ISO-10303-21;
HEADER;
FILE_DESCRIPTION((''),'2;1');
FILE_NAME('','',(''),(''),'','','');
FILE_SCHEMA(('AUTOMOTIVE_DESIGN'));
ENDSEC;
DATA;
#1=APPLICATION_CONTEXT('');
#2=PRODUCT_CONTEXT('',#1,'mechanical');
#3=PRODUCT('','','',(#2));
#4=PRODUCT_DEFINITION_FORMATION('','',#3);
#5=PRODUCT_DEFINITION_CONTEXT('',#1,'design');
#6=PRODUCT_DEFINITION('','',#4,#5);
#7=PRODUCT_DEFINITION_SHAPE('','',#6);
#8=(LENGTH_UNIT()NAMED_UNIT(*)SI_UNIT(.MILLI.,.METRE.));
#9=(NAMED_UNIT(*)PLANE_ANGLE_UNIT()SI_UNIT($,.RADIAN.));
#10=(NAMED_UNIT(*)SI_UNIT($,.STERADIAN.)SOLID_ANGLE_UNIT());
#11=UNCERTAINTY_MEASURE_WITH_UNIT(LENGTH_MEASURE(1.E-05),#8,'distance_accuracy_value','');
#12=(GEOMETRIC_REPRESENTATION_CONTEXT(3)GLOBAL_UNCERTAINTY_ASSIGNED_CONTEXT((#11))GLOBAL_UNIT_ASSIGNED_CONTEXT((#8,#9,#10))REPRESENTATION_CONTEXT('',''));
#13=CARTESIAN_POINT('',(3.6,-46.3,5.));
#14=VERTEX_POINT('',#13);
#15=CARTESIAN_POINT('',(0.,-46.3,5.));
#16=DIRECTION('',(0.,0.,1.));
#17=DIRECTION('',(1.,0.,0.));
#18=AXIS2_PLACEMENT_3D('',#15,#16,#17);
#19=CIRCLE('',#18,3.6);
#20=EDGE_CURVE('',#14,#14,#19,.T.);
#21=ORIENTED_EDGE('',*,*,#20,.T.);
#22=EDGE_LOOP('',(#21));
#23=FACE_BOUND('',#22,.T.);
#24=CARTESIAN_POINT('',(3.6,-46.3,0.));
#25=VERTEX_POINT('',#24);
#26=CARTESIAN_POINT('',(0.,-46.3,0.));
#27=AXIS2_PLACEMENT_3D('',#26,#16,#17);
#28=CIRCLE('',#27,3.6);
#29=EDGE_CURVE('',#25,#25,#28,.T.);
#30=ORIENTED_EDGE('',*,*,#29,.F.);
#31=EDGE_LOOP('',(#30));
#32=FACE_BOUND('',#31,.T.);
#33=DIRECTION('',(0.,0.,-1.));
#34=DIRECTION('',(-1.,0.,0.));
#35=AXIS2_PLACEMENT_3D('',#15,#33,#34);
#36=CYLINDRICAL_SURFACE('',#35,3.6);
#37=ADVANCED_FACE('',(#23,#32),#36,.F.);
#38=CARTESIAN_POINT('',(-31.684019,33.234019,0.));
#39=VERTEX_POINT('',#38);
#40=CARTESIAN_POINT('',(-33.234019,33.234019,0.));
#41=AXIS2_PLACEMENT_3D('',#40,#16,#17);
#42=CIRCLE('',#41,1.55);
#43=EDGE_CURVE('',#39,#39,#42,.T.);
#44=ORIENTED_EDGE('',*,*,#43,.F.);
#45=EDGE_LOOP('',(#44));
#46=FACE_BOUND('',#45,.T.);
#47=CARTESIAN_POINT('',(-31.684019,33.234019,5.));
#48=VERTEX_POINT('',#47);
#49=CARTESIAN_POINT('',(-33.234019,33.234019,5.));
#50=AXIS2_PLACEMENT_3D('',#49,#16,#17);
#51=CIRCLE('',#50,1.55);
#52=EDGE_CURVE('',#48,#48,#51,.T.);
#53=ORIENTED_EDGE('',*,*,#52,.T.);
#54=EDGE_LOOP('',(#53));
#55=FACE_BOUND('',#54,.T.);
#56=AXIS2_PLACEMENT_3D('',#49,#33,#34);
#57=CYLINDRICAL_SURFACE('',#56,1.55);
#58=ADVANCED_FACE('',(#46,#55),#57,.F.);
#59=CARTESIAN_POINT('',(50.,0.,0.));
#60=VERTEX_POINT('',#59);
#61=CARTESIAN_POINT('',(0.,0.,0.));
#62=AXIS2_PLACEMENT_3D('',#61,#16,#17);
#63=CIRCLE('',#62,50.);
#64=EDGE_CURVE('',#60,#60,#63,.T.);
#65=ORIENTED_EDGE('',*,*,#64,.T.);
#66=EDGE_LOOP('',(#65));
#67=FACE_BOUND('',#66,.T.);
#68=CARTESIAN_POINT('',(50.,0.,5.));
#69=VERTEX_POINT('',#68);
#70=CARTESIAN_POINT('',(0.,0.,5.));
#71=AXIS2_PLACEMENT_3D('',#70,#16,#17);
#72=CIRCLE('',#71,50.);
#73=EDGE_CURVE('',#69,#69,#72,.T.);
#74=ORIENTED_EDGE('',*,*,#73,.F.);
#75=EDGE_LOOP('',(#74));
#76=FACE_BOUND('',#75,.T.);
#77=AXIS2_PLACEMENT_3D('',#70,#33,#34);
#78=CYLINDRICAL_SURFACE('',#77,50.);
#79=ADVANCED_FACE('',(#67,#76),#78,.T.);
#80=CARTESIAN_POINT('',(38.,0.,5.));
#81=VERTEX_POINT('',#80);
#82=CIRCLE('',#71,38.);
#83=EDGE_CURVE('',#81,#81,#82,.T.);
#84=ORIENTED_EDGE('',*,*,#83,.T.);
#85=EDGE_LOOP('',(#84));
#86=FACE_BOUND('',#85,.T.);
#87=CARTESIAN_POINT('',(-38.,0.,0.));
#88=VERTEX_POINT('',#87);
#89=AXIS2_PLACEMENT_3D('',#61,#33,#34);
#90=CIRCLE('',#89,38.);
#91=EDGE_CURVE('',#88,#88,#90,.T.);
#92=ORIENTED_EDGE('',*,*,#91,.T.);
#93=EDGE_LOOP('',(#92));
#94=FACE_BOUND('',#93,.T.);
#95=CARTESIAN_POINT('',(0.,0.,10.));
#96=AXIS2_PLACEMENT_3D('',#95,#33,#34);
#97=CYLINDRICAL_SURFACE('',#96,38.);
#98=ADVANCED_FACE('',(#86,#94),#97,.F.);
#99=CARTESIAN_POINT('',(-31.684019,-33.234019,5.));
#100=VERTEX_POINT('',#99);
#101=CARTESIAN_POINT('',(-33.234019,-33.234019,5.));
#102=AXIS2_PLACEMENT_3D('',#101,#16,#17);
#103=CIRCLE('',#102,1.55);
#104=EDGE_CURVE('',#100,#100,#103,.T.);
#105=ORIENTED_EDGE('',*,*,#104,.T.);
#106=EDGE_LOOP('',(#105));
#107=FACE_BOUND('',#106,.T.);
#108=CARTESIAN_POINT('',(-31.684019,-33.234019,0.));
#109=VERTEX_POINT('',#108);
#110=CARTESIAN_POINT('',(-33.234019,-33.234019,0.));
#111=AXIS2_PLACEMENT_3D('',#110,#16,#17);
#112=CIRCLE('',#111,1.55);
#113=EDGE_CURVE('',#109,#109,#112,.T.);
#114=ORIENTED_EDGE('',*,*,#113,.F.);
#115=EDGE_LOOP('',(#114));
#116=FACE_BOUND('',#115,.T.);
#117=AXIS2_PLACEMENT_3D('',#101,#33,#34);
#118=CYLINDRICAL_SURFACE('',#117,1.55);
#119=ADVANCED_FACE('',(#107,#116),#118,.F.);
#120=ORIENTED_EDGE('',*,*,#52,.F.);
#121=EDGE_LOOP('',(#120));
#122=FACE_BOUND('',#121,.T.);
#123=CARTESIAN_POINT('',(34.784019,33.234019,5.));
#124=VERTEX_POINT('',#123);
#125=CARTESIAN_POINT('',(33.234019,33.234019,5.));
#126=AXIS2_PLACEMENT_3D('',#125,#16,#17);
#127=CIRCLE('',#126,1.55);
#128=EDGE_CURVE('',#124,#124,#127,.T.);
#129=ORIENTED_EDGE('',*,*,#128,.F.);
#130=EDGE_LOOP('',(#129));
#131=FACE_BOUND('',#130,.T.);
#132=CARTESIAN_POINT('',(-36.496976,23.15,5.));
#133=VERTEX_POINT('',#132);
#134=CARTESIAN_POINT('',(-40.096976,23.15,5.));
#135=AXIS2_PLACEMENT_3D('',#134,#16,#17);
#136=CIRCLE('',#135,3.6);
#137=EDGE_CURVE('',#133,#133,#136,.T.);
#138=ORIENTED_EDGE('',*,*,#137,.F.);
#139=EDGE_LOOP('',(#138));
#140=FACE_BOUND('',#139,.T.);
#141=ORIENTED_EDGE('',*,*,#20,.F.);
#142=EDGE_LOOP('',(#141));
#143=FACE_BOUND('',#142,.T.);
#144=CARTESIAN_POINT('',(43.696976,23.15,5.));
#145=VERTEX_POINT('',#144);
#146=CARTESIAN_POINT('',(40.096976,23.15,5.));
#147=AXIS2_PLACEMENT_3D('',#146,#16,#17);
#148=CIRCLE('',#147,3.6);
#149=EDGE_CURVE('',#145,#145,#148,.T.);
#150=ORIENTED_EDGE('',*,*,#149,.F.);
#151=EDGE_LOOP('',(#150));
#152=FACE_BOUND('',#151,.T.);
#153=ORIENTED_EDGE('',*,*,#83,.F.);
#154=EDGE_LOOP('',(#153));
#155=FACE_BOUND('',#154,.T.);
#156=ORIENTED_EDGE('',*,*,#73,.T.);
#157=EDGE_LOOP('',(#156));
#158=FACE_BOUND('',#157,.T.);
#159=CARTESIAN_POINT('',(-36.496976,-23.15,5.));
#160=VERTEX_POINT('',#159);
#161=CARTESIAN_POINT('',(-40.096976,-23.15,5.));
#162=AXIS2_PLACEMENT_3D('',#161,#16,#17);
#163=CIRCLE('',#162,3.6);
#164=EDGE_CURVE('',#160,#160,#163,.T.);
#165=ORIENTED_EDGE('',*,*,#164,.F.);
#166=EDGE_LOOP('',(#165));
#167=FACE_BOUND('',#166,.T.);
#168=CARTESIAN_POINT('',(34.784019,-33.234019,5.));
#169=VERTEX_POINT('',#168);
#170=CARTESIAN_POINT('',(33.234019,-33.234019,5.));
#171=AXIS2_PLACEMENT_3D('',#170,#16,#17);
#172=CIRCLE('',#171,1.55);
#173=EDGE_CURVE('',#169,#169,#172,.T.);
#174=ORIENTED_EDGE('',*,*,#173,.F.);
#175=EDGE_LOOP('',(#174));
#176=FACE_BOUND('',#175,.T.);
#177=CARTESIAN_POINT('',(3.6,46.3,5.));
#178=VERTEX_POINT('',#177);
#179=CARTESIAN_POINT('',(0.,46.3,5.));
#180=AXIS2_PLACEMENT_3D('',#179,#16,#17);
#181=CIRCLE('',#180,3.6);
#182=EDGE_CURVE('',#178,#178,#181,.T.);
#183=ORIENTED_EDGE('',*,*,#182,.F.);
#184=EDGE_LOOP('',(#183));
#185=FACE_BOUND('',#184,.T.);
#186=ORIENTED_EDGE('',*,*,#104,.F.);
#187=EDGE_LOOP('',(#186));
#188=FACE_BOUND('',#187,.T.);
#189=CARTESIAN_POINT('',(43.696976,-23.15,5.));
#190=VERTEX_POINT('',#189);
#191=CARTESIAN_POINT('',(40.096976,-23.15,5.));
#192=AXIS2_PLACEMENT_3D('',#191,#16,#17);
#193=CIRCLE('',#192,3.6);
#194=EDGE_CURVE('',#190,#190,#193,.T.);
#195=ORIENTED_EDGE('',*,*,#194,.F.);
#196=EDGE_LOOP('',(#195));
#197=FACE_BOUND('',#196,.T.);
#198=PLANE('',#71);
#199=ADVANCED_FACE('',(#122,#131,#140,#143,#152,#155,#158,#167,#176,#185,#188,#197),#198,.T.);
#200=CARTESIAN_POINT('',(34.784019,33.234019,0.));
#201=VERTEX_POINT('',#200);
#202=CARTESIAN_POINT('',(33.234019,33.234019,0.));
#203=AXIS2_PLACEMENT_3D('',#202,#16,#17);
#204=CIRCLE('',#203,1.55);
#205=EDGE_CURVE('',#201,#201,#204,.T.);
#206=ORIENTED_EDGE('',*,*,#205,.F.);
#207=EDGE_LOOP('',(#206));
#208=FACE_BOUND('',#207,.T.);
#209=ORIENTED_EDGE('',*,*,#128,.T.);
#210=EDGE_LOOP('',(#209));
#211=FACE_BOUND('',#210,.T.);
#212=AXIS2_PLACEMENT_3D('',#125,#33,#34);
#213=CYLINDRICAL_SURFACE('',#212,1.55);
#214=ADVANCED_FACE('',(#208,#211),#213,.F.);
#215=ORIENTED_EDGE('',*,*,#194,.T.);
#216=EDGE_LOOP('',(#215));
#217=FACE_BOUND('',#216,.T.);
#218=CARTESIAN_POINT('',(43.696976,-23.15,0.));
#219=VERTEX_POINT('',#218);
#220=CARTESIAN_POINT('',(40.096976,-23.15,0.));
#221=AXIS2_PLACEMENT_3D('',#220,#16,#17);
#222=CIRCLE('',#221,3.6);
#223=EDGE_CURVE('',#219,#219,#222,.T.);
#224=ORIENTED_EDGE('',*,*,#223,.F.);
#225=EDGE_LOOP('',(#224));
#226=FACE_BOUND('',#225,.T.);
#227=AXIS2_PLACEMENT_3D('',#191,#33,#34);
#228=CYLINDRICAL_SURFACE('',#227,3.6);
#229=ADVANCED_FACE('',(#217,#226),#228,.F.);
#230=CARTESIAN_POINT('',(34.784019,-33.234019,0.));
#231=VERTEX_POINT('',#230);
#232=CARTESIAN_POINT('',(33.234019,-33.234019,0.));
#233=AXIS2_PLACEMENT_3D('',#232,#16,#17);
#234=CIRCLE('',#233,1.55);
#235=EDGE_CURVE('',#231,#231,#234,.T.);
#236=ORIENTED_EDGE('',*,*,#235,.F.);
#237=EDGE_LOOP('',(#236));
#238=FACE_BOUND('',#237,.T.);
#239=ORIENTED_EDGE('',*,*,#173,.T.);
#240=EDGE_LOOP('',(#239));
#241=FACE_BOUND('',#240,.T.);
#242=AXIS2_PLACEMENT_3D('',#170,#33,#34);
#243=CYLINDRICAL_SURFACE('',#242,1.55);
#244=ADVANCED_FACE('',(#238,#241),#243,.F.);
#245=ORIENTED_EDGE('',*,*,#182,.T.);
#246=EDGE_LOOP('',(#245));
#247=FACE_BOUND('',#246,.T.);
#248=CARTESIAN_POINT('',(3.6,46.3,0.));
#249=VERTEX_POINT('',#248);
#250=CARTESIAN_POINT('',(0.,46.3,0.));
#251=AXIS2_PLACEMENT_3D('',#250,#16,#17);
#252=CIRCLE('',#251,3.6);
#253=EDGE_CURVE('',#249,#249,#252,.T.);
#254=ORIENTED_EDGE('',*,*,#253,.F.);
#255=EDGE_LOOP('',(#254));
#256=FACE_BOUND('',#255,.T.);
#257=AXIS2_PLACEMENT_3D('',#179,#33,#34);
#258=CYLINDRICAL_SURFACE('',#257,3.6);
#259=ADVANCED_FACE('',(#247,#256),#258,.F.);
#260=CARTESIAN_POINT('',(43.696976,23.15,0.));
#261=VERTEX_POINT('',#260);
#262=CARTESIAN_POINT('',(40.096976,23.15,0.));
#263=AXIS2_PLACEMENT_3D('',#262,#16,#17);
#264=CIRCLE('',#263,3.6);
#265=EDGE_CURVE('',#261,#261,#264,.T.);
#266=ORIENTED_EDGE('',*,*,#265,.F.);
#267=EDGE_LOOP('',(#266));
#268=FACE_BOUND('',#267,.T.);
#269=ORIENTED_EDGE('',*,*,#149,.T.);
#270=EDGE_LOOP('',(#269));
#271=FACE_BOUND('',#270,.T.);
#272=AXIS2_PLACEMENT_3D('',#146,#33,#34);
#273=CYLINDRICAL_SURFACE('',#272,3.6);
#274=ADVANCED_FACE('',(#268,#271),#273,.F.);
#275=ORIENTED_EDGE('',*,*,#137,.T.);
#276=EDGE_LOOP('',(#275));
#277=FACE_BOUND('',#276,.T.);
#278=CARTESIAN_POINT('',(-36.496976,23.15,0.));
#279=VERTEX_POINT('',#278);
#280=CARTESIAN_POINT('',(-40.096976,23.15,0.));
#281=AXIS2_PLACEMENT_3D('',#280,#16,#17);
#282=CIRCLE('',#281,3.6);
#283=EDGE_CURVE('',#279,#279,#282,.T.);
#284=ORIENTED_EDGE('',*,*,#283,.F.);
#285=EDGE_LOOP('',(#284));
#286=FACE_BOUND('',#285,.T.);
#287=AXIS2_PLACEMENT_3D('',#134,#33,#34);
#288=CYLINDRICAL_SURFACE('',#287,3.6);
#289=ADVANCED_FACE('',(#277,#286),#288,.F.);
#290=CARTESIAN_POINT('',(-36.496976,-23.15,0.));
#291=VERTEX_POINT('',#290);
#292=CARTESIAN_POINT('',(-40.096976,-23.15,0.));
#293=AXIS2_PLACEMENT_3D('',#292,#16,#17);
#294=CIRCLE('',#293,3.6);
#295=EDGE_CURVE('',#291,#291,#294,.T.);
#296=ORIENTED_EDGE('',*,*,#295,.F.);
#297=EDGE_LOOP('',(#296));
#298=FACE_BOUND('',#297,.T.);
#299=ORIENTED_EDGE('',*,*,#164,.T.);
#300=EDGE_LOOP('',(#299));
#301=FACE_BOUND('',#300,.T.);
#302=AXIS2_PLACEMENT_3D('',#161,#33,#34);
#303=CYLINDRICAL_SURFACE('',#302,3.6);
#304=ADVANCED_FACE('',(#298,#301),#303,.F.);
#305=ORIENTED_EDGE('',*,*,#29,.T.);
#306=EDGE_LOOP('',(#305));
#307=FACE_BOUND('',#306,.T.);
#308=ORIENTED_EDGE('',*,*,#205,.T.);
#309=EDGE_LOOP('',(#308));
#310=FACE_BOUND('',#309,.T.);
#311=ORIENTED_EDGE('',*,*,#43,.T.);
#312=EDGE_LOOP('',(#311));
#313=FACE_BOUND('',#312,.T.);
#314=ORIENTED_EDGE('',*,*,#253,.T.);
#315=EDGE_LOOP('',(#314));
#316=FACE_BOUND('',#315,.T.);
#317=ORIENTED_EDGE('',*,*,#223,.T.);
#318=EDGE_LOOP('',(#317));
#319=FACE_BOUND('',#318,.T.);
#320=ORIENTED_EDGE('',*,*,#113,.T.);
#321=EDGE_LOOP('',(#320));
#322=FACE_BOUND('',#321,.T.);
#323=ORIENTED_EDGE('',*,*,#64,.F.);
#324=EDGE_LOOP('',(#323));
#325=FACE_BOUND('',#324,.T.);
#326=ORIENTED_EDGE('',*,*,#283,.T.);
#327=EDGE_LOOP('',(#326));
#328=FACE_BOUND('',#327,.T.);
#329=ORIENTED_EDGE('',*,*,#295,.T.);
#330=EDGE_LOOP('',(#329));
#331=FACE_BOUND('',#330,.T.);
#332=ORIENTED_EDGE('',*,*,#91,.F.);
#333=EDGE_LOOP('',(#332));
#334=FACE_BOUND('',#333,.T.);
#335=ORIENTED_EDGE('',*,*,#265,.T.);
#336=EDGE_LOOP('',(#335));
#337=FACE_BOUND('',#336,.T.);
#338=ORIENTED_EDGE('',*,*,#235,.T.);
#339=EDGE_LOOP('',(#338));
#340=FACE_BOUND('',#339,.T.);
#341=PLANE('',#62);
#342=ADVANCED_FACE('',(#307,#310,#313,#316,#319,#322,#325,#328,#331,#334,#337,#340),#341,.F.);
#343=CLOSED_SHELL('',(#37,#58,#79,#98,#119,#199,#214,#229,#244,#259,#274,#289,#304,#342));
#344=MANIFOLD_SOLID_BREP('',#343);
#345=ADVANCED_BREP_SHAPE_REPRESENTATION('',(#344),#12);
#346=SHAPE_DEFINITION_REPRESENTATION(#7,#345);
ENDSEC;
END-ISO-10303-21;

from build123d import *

# Parameters (mm, degrees)
ESQUISSE1_R        = 50
ESQUISSE1_R_2      = 3.6
ESQUISSE1_R_3      = 2.05
ESQUISSE1_R_4      = 1.55
BOSS_EXTRU_1_DEPTH = 5
SKETCH4_R          = 38
CUT_EXTRUDE3_DEPTH = 10


with BuildPart() as part:
    # Esquisse1 → Boss.-Extru.1 (new body)
    with BuildSketch(Plane.XY):
        Circle(ESQUISSE1_R)
        with Locations((-40.096976195, -23.15)):
            Circle(ESQUISSE1_R_2, mode=Mode.SUBTRACT)
        with Locations((-40.096976195, 23.15)):
            Circle(ESQUISSE1_R_2, mode=Mode.SUBTRACT)
        with Locations((0, 46.3)):
            Circle(ESQUISSE1_R_2, mode=Mode.SUBTRACT)
        with Locations((40.096976195, 23.15)):
            Circle(ESQUISSE1_R_2, mode=Mode.SUBTRACT)
        with Locations((40.096976195, -23.15)):
            Circle(ESQUISSE1_R_2, mode=Mode.SUBTRACT)
        with Locations((0, -46.3)):
            Circle(ESQUISSE1_R_2, mode=Mode.SUBTRACT)
        with Locations((0, 19.165334425)):
            Circle(ESQUISSE1_R_3, mode=Mode.SUBTRACT)
        with Locations((0, -19.232757636)):
            Circle(ESQUISSE1_R_3, mode=Mode.SUBTRACT)
        with Locations((-33.234018716, 33.234018716)):
            Circle(ESQUISSE1_R_4, mode=Mode.SUBTRACT)
        with Locations((33.234018716, 33.234018716)):
            Circle(ESQUISSE1_R_4, mode=Mode.SUBTRACT)
        with Locations((33.234018716, -33.234018716)):
            Circle(ESQUISSE1_R_4, mode=Mode.SUBTRACT)
        with Locations((-33.234018716, -33.234018716)):
            Circle(ESQUISSE1_R_4, mode=Mode.SUBTRACT)
        with Locations((-16.671397033, -9.625235564)):
            Circle(ESQUISSE1_R_3, mode=Mode.SUBTRACT)
        with Locations((16.669571796, 9.624181764)):
            Circle(ESQUISSE1_R_3, mode=Mode.SUBTRACT)
        with Locations((-16.671397032, 9.625235564)):
            Circle(ESQUISSE1_R_3, mode=Mode.SUBTRACT)
        with Locations((16.666666667, -9.622504487)):
            Circle(ESQUISSE1_R_3, mode=Mode.SUBTRACT)
    extrude(amount=BOSS_EXTRU_1_DEPTH)

    # Sketch4 → Cut-Extrude3 (cut)
    with BuildSketch(Plane(origin=(0, 0, 0), x_dir=(-1, 0, 0), z_dir=(0, 0, -1))):
        Circle(SKETCH4_R)
    extrude(amount=-CUT_EXTRUDE3_DEPTH, mode=Mode.SUBTRACT)


solid = part.part
